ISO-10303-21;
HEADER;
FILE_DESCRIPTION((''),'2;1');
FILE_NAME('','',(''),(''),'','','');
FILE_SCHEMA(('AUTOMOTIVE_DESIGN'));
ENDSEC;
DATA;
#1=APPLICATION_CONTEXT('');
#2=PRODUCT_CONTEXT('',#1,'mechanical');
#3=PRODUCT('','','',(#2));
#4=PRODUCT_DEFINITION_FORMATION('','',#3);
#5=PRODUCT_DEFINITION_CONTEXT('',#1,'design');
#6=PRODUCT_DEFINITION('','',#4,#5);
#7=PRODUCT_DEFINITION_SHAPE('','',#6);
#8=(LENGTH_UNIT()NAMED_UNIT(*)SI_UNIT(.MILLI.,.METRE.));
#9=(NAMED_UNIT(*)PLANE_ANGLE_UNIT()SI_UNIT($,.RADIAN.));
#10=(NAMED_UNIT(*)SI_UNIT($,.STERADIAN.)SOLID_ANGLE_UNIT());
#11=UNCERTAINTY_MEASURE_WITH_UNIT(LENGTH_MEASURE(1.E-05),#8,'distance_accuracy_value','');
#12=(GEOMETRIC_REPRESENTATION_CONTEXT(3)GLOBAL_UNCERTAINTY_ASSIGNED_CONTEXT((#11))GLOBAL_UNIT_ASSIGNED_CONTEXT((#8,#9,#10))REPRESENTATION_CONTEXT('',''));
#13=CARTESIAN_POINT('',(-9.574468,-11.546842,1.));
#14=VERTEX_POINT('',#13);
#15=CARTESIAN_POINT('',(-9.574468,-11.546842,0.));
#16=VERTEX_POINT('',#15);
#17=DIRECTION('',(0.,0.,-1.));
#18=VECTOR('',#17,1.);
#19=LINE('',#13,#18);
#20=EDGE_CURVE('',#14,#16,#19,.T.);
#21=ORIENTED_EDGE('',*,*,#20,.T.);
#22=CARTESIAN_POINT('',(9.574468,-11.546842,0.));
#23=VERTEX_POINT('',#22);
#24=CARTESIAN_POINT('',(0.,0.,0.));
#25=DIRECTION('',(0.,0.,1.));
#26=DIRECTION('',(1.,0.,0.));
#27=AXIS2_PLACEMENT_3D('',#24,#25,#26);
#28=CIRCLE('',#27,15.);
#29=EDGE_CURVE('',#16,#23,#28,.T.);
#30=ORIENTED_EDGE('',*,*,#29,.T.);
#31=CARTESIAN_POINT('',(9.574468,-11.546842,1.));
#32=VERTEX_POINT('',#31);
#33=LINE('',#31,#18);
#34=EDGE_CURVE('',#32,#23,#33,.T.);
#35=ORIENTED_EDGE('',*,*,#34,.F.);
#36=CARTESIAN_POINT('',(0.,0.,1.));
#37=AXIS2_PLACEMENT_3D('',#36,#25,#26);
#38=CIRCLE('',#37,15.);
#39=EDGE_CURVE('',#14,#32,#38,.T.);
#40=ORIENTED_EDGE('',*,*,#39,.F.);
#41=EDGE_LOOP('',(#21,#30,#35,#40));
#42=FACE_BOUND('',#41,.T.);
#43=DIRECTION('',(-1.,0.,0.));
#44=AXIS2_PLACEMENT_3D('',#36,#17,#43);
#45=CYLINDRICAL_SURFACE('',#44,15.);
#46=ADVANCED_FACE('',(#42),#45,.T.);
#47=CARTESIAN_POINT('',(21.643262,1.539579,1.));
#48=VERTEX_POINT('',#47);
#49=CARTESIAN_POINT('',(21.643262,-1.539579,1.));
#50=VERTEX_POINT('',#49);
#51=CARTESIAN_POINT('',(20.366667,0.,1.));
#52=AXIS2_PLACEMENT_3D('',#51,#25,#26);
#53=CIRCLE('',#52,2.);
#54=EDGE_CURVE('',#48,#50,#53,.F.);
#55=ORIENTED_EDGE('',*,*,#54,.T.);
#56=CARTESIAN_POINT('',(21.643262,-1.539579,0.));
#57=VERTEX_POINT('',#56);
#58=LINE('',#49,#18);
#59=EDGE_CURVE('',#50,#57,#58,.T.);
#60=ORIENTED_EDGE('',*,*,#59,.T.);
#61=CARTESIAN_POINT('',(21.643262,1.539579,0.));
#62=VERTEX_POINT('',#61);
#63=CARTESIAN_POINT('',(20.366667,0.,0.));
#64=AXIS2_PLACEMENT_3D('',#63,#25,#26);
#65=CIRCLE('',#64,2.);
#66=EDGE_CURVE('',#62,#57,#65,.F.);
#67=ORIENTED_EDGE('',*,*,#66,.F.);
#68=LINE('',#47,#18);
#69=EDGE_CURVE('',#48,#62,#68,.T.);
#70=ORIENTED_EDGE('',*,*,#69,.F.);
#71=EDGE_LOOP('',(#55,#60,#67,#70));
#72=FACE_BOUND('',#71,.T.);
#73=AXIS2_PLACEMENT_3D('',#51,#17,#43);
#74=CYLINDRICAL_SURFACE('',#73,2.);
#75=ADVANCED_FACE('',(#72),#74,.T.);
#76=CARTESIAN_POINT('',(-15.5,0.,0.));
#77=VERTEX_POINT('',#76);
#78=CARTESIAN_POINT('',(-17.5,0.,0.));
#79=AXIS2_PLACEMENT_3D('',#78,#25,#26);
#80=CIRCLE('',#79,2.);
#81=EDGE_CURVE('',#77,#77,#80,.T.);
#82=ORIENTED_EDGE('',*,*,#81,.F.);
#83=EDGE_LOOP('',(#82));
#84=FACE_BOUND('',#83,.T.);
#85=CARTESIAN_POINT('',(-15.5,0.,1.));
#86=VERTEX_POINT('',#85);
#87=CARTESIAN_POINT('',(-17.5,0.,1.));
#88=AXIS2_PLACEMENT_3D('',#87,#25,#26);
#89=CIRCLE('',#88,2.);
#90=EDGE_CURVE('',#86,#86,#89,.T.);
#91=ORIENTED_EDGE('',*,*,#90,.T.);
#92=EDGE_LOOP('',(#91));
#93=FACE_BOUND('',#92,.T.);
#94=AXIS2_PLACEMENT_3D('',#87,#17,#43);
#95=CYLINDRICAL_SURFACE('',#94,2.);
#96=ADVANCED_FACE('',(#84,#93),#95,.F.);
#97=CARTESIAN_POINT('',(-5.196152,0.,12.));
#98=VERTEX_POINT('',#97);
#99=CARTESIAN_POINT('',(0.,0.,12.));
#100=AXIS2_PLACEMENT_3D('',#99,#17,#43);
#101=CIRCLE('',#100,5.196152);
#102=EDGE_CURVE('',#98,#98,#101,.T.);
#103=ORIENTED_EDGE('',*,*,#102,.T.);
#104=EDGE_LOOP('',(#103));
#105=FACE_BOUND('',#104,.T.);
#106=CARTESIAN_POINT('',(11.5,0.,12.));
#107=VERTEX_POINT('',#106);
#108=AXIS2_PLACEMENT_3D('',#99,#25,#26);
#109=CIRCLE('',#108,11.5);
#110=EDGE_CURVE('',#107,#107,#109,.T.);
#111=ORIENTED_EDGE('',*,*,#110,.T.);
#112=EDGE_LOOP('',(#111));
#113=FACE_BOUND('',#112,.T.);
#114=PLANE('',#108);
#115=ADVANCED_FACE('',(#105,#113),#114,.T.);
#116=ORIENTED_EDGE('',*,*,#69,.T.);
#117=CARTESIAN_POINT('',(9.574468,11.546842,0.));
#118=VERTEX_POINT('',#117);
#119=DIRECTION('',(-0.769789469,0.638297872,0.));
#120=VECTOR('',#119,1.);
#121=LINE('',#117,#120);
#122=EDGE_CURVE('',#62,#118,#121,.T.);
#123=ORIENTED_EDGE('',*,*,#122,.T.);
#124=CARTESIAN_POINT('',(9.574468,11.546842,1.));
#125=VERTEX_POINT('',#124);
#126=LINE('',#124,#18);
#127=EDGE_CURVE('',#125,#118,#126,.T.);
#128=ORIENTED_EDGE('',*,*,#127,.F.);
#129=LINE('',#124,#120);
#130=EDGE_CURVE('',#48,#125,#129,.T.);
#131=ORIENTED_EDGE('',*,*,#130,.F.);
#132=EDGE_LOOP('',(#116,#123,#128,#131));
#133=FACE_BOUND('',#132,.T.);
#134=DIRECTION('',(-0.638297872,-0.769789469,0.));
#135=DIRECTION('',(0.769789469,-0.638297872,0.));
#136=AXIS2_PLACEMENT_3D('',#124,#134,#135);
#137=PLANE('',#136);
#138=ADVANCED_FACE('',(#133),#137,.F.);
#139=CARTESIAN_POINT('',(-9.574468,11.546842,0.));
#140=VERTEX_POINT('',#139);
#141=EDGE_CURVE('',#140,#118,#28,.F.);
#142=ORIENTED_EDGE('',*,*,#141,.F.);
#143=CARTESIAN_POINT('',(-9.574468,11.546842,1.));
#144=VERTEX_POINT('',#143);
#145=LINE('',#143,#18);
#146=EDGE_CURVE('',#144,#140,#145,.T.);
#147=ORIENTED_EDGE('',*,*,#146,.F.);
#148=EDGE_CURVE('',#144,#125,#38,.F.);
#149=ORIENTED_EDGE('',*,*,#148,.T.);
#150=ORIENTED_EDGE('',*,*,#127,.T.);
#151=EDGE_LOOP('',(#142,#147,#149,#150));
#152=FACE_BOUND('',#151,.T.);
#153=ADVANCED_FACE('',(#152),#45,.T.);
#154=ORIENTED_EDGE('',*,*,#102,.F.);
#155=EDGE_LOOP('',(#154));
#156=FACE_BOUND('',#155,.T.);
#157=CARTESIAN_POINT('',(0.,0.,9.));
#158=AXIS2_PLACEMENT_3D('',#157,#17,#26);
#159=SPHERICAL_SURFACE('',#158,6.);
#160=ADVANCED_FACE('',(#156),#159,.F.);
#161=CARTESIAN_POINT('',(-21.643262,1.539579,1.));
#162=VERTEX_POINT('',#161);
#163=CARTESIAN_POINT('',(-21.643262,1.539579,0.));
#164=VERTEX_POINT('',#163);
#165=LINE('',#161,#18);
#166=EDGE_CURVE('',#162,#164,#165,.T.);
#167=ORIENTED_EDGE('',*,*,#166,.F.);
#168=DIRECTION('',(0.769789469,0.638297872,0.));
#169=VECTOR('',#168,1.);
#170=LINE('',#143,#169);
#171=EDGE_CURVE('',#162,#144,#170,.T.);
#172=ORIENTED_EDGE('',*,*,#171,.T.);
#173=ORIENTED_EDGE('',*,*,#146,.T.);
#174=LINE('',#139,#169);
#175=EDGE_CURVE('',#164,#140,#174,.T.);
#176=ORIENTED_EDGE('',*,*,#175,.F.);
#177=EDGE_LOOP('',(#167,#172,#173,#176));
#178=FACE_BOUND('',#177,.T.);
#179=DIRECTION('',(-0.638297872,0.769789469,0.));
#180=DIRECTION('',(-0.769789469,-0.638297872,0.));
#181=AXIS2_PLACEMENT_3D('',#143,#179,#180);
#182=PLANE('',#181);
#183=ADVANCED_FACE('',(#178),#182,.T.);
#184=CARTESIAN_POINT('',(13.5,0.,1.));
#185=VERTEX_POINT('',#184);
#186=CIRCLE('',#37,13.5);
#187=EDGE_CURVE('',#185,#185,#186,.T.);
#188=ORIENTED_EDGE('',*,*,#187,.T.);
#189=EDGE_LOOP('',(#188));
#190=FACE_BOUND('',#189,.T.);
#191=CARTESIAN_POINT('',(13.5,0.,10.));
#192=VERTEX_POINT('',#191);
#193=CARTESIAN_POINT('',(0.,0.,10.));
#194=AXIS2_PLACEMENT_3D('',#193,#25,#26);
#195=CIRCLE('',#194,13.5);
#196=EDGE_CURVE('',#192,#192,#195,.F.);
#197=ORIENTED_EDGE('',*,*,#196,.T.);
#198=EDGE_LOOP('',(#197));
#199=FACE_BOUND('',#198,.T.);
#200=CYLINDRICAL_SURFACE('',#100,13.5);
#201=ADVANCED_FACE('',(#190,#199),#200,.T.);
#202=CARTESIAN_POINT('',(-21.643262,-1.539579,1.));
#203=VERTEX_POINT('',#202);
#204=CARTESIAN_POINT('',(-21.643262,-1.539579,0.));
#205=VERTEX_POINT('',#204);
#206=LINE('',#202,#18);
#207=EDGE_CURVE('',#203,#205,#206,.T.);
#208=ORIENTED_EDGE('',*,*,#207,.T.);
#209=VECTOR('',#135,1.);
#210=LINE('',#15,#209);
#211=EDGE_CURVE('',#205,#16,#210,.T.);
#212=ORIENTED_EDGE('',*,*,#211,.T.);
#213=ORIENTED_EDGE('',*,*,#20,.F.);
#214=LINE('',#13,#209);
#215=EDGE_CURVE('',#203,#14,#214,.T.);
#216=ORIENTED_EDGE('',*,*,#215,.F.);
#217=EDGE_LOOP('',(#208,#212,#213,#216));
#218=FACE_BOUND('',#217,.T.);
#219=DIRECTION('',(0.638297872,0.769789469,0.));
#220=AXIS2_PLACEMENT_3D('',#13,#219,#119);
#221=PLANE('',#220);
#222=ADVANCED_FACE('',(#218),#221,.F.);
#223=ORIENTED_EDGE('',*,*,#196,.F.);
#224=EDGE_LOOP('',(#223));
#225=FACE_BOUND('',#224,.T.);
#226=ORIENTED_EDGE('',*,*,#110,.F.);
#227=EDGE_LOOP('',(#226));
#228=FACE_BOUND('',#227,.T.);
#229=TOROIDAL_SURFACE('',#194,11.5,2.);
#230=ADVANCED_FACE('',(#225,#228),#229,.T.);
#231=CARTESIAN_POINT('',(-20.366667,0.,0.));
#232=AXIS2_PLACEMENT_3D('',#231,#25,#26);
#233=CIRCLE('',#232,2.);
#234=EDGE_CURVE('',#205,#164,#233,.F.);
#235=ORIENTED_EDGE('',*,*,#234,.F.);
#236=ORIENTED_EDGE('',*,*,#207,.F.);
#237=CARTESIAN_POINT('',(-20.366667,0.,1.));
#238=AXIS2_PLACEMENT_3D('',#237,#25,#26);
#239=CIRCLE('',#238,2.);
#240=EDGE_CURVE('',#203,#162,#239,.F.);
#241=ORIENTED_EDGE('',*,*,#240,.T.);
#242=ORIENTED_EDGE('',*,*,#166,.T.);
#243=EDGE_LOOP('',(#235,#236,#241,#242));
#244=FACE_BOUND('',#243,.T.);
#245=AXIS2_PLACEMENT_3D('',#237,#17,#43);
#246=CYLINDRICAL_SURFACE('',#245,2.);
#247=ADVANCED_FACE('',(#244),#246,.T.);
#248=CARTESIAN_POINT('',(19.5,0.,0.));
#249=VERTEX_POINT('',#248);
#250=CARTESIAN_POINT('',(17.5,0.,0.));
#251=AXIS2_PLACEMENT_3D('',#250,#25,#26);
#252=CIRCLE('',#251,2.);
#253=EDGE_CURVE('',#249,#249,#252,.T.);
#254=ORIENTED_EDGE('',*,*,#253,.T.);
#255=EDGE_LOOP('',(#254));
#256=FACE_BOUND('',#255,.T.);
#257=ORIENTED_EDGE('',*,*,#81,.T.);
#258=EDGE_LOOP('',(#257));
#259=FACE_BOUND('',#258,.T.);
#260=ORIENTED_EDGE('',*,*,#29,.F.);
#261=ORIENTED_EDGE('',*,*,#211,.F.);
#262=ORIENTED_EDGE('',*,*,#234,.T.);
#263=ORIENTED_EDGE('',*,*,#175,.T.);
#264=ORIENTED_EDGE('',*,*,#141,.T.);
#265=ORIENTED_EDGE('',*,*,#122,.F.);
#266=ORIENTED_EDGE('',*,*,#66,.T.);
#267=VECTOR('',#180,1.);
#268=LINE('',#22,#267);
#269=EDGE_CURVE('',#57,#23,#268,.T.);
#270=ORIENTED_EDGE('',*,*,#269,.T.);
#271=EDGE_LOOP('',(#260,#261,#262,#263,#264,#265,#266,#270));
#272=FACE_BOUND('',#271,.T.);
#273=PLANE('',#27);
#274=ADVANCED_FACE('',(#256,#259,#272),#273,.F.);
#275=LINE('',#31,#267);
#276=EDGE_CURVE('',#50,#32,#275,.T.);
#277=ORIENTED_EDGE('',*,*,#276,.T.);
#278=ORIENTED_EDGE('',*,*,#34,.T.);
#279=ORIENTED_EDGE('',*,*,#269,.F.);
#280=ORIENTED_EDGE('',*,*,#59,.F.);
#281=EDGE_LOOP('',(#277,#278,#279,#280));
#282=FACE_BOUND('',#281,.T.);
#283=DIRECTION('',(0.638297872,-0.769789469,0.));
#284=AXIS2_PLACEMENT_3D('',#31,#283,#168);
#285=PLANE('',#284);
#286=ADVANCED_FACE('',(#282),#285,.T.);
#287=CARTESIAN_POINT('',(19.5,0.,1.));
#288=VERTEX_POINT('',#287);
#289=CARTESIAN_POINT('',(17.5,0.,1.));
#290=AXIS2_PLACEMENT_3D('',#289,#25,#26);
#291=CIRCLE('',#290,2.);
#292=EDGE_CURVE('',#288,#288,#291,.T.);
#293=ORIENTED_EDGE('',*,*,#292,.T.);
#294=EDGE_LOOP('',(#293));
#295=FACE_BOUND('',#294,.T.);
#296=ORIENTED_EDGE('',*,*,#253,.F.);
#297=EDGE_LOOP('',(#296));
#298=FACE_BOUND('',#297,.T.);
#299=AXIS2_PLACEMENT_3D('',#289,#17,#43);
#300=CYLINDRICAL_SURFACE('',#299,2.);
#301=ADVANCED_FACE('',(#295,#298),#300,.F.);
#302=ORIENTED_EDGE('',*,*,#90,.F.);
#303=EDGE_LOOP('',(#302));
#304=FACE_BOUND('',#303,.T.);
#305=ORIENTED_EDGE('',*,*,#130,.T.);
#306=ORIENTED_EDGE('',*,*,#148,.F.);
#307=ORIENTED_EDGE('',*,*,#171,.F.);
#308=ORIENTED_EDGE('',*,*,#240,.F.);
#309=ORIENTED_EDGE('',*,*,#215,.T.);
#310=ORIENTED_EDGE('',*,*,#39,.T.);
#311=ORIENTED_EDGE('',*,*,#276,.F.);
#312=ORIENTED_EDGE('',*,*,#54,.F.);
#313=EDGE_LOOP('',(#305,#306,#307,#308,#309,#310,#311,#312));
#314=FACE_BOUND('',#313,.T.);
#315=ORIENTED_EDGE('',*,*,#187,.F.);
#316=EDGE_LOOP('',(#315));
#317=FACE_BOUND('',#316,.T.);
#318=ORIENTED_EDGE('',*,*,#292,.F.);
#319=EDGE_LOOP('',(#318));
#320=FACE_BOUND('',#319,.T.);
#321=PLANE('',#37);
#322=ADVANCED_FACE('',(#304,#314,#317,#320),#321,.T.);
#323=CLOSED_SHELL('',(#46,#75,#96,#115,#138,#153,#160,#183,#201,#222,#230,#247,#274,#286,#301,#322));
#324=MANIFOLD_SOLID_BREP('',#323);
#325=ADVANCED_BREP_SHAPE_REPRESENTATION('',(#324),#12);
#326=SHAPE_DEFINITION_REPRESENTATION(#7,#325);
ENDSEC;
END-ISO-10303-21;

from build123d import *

# Parameters (mm, degrees)
SKETCH_1_R      = 13.5
SKETCH_1_R_2    = 2
EXTRUDE_3_DEPTH = 1
SKETCH_3_R      = 13.5
EXTRUDE_4_DEPTH = 12
FILLET_3_R      = 2


with BuildPart() as part:
    # 草图1 → 凸台-拉伸3 (new body)
    with BuildSketch(Plane.XY):
        with BuildLine():
            Line((-21.643262411, 1.539578937), (-9.574468085, 11.546842031))
            ThreePointArc((-9.574468085, 11.546842031), (0, 15), (9.574468085, 11.546842031))
            Line((9.574468085, 11.546842031), (21.643262411, 1.539578937))
            ThreePointArc((21.643262411, 1.539578937), (22.366666667, 0), (21.643262411, -1.539578937))
            Line((21.643262411, -1.539578937), (9.574468085, -11.546842031))
            ThreePointArc((9.574468085, -11.546842031), (0, -15), (-9.574468085, -11.546842031))
            Line((-9.574468085, -11.546842031), (-21.643262411, -1.539578937))
            ThreePointArc((-21.643262411, -1.539578937), (-22.366666667, 0), (-21.643262411, 1.539578937))
        make_face()
        Circle(SKETCH_1_R, mode=Mode.SUBTRACT)
        with Locations((-17.5, 0)):
            Circle(SKETCH_1_R_2, mode=Mode.SUBTRACT)
        with Locations((17.5, 0)):
            Circle(SKETCH_1_R_2, mode=Mode.SUBTRACT)
    extrude(amount=EXTRUDE_3_DEPTH)

    # 草图3 → 凸台-拉伸4 (add)
    with BuildSketch(Plane.XY):
        Circle(SKETCH_3_R)
    extrude(amount=EXTRUDE_4_DEPTH)

    # 圆角3
    fillet_3_edges = [part.edges().sort_by_distance(p)[0] for p in [
        (-13.5, 0, 12),
    ]]
    fillet(fillet_3_edges, radius=FILLET_3_R)

    # 草图4 → 切除-旋转9 (revolve, cut)
    with BuildSketch(Plane(origin=(0, 0, 0), x_dir=(1, 0, 0), z_dir=(0, 1, 0))):
        with BuildLine():
            Line((0, -12), (5.196152423, -12))
            ThreePointArc((5.196152423, -12), (5.196152423, -6), (0, -3))
            Line((0, -3), (0, -12))
        make_face()
    revolve(axis=Axis((0, 0, 0), (0, 0, 1)), mode=Mode.SUBTRACT)


solid = part.part
